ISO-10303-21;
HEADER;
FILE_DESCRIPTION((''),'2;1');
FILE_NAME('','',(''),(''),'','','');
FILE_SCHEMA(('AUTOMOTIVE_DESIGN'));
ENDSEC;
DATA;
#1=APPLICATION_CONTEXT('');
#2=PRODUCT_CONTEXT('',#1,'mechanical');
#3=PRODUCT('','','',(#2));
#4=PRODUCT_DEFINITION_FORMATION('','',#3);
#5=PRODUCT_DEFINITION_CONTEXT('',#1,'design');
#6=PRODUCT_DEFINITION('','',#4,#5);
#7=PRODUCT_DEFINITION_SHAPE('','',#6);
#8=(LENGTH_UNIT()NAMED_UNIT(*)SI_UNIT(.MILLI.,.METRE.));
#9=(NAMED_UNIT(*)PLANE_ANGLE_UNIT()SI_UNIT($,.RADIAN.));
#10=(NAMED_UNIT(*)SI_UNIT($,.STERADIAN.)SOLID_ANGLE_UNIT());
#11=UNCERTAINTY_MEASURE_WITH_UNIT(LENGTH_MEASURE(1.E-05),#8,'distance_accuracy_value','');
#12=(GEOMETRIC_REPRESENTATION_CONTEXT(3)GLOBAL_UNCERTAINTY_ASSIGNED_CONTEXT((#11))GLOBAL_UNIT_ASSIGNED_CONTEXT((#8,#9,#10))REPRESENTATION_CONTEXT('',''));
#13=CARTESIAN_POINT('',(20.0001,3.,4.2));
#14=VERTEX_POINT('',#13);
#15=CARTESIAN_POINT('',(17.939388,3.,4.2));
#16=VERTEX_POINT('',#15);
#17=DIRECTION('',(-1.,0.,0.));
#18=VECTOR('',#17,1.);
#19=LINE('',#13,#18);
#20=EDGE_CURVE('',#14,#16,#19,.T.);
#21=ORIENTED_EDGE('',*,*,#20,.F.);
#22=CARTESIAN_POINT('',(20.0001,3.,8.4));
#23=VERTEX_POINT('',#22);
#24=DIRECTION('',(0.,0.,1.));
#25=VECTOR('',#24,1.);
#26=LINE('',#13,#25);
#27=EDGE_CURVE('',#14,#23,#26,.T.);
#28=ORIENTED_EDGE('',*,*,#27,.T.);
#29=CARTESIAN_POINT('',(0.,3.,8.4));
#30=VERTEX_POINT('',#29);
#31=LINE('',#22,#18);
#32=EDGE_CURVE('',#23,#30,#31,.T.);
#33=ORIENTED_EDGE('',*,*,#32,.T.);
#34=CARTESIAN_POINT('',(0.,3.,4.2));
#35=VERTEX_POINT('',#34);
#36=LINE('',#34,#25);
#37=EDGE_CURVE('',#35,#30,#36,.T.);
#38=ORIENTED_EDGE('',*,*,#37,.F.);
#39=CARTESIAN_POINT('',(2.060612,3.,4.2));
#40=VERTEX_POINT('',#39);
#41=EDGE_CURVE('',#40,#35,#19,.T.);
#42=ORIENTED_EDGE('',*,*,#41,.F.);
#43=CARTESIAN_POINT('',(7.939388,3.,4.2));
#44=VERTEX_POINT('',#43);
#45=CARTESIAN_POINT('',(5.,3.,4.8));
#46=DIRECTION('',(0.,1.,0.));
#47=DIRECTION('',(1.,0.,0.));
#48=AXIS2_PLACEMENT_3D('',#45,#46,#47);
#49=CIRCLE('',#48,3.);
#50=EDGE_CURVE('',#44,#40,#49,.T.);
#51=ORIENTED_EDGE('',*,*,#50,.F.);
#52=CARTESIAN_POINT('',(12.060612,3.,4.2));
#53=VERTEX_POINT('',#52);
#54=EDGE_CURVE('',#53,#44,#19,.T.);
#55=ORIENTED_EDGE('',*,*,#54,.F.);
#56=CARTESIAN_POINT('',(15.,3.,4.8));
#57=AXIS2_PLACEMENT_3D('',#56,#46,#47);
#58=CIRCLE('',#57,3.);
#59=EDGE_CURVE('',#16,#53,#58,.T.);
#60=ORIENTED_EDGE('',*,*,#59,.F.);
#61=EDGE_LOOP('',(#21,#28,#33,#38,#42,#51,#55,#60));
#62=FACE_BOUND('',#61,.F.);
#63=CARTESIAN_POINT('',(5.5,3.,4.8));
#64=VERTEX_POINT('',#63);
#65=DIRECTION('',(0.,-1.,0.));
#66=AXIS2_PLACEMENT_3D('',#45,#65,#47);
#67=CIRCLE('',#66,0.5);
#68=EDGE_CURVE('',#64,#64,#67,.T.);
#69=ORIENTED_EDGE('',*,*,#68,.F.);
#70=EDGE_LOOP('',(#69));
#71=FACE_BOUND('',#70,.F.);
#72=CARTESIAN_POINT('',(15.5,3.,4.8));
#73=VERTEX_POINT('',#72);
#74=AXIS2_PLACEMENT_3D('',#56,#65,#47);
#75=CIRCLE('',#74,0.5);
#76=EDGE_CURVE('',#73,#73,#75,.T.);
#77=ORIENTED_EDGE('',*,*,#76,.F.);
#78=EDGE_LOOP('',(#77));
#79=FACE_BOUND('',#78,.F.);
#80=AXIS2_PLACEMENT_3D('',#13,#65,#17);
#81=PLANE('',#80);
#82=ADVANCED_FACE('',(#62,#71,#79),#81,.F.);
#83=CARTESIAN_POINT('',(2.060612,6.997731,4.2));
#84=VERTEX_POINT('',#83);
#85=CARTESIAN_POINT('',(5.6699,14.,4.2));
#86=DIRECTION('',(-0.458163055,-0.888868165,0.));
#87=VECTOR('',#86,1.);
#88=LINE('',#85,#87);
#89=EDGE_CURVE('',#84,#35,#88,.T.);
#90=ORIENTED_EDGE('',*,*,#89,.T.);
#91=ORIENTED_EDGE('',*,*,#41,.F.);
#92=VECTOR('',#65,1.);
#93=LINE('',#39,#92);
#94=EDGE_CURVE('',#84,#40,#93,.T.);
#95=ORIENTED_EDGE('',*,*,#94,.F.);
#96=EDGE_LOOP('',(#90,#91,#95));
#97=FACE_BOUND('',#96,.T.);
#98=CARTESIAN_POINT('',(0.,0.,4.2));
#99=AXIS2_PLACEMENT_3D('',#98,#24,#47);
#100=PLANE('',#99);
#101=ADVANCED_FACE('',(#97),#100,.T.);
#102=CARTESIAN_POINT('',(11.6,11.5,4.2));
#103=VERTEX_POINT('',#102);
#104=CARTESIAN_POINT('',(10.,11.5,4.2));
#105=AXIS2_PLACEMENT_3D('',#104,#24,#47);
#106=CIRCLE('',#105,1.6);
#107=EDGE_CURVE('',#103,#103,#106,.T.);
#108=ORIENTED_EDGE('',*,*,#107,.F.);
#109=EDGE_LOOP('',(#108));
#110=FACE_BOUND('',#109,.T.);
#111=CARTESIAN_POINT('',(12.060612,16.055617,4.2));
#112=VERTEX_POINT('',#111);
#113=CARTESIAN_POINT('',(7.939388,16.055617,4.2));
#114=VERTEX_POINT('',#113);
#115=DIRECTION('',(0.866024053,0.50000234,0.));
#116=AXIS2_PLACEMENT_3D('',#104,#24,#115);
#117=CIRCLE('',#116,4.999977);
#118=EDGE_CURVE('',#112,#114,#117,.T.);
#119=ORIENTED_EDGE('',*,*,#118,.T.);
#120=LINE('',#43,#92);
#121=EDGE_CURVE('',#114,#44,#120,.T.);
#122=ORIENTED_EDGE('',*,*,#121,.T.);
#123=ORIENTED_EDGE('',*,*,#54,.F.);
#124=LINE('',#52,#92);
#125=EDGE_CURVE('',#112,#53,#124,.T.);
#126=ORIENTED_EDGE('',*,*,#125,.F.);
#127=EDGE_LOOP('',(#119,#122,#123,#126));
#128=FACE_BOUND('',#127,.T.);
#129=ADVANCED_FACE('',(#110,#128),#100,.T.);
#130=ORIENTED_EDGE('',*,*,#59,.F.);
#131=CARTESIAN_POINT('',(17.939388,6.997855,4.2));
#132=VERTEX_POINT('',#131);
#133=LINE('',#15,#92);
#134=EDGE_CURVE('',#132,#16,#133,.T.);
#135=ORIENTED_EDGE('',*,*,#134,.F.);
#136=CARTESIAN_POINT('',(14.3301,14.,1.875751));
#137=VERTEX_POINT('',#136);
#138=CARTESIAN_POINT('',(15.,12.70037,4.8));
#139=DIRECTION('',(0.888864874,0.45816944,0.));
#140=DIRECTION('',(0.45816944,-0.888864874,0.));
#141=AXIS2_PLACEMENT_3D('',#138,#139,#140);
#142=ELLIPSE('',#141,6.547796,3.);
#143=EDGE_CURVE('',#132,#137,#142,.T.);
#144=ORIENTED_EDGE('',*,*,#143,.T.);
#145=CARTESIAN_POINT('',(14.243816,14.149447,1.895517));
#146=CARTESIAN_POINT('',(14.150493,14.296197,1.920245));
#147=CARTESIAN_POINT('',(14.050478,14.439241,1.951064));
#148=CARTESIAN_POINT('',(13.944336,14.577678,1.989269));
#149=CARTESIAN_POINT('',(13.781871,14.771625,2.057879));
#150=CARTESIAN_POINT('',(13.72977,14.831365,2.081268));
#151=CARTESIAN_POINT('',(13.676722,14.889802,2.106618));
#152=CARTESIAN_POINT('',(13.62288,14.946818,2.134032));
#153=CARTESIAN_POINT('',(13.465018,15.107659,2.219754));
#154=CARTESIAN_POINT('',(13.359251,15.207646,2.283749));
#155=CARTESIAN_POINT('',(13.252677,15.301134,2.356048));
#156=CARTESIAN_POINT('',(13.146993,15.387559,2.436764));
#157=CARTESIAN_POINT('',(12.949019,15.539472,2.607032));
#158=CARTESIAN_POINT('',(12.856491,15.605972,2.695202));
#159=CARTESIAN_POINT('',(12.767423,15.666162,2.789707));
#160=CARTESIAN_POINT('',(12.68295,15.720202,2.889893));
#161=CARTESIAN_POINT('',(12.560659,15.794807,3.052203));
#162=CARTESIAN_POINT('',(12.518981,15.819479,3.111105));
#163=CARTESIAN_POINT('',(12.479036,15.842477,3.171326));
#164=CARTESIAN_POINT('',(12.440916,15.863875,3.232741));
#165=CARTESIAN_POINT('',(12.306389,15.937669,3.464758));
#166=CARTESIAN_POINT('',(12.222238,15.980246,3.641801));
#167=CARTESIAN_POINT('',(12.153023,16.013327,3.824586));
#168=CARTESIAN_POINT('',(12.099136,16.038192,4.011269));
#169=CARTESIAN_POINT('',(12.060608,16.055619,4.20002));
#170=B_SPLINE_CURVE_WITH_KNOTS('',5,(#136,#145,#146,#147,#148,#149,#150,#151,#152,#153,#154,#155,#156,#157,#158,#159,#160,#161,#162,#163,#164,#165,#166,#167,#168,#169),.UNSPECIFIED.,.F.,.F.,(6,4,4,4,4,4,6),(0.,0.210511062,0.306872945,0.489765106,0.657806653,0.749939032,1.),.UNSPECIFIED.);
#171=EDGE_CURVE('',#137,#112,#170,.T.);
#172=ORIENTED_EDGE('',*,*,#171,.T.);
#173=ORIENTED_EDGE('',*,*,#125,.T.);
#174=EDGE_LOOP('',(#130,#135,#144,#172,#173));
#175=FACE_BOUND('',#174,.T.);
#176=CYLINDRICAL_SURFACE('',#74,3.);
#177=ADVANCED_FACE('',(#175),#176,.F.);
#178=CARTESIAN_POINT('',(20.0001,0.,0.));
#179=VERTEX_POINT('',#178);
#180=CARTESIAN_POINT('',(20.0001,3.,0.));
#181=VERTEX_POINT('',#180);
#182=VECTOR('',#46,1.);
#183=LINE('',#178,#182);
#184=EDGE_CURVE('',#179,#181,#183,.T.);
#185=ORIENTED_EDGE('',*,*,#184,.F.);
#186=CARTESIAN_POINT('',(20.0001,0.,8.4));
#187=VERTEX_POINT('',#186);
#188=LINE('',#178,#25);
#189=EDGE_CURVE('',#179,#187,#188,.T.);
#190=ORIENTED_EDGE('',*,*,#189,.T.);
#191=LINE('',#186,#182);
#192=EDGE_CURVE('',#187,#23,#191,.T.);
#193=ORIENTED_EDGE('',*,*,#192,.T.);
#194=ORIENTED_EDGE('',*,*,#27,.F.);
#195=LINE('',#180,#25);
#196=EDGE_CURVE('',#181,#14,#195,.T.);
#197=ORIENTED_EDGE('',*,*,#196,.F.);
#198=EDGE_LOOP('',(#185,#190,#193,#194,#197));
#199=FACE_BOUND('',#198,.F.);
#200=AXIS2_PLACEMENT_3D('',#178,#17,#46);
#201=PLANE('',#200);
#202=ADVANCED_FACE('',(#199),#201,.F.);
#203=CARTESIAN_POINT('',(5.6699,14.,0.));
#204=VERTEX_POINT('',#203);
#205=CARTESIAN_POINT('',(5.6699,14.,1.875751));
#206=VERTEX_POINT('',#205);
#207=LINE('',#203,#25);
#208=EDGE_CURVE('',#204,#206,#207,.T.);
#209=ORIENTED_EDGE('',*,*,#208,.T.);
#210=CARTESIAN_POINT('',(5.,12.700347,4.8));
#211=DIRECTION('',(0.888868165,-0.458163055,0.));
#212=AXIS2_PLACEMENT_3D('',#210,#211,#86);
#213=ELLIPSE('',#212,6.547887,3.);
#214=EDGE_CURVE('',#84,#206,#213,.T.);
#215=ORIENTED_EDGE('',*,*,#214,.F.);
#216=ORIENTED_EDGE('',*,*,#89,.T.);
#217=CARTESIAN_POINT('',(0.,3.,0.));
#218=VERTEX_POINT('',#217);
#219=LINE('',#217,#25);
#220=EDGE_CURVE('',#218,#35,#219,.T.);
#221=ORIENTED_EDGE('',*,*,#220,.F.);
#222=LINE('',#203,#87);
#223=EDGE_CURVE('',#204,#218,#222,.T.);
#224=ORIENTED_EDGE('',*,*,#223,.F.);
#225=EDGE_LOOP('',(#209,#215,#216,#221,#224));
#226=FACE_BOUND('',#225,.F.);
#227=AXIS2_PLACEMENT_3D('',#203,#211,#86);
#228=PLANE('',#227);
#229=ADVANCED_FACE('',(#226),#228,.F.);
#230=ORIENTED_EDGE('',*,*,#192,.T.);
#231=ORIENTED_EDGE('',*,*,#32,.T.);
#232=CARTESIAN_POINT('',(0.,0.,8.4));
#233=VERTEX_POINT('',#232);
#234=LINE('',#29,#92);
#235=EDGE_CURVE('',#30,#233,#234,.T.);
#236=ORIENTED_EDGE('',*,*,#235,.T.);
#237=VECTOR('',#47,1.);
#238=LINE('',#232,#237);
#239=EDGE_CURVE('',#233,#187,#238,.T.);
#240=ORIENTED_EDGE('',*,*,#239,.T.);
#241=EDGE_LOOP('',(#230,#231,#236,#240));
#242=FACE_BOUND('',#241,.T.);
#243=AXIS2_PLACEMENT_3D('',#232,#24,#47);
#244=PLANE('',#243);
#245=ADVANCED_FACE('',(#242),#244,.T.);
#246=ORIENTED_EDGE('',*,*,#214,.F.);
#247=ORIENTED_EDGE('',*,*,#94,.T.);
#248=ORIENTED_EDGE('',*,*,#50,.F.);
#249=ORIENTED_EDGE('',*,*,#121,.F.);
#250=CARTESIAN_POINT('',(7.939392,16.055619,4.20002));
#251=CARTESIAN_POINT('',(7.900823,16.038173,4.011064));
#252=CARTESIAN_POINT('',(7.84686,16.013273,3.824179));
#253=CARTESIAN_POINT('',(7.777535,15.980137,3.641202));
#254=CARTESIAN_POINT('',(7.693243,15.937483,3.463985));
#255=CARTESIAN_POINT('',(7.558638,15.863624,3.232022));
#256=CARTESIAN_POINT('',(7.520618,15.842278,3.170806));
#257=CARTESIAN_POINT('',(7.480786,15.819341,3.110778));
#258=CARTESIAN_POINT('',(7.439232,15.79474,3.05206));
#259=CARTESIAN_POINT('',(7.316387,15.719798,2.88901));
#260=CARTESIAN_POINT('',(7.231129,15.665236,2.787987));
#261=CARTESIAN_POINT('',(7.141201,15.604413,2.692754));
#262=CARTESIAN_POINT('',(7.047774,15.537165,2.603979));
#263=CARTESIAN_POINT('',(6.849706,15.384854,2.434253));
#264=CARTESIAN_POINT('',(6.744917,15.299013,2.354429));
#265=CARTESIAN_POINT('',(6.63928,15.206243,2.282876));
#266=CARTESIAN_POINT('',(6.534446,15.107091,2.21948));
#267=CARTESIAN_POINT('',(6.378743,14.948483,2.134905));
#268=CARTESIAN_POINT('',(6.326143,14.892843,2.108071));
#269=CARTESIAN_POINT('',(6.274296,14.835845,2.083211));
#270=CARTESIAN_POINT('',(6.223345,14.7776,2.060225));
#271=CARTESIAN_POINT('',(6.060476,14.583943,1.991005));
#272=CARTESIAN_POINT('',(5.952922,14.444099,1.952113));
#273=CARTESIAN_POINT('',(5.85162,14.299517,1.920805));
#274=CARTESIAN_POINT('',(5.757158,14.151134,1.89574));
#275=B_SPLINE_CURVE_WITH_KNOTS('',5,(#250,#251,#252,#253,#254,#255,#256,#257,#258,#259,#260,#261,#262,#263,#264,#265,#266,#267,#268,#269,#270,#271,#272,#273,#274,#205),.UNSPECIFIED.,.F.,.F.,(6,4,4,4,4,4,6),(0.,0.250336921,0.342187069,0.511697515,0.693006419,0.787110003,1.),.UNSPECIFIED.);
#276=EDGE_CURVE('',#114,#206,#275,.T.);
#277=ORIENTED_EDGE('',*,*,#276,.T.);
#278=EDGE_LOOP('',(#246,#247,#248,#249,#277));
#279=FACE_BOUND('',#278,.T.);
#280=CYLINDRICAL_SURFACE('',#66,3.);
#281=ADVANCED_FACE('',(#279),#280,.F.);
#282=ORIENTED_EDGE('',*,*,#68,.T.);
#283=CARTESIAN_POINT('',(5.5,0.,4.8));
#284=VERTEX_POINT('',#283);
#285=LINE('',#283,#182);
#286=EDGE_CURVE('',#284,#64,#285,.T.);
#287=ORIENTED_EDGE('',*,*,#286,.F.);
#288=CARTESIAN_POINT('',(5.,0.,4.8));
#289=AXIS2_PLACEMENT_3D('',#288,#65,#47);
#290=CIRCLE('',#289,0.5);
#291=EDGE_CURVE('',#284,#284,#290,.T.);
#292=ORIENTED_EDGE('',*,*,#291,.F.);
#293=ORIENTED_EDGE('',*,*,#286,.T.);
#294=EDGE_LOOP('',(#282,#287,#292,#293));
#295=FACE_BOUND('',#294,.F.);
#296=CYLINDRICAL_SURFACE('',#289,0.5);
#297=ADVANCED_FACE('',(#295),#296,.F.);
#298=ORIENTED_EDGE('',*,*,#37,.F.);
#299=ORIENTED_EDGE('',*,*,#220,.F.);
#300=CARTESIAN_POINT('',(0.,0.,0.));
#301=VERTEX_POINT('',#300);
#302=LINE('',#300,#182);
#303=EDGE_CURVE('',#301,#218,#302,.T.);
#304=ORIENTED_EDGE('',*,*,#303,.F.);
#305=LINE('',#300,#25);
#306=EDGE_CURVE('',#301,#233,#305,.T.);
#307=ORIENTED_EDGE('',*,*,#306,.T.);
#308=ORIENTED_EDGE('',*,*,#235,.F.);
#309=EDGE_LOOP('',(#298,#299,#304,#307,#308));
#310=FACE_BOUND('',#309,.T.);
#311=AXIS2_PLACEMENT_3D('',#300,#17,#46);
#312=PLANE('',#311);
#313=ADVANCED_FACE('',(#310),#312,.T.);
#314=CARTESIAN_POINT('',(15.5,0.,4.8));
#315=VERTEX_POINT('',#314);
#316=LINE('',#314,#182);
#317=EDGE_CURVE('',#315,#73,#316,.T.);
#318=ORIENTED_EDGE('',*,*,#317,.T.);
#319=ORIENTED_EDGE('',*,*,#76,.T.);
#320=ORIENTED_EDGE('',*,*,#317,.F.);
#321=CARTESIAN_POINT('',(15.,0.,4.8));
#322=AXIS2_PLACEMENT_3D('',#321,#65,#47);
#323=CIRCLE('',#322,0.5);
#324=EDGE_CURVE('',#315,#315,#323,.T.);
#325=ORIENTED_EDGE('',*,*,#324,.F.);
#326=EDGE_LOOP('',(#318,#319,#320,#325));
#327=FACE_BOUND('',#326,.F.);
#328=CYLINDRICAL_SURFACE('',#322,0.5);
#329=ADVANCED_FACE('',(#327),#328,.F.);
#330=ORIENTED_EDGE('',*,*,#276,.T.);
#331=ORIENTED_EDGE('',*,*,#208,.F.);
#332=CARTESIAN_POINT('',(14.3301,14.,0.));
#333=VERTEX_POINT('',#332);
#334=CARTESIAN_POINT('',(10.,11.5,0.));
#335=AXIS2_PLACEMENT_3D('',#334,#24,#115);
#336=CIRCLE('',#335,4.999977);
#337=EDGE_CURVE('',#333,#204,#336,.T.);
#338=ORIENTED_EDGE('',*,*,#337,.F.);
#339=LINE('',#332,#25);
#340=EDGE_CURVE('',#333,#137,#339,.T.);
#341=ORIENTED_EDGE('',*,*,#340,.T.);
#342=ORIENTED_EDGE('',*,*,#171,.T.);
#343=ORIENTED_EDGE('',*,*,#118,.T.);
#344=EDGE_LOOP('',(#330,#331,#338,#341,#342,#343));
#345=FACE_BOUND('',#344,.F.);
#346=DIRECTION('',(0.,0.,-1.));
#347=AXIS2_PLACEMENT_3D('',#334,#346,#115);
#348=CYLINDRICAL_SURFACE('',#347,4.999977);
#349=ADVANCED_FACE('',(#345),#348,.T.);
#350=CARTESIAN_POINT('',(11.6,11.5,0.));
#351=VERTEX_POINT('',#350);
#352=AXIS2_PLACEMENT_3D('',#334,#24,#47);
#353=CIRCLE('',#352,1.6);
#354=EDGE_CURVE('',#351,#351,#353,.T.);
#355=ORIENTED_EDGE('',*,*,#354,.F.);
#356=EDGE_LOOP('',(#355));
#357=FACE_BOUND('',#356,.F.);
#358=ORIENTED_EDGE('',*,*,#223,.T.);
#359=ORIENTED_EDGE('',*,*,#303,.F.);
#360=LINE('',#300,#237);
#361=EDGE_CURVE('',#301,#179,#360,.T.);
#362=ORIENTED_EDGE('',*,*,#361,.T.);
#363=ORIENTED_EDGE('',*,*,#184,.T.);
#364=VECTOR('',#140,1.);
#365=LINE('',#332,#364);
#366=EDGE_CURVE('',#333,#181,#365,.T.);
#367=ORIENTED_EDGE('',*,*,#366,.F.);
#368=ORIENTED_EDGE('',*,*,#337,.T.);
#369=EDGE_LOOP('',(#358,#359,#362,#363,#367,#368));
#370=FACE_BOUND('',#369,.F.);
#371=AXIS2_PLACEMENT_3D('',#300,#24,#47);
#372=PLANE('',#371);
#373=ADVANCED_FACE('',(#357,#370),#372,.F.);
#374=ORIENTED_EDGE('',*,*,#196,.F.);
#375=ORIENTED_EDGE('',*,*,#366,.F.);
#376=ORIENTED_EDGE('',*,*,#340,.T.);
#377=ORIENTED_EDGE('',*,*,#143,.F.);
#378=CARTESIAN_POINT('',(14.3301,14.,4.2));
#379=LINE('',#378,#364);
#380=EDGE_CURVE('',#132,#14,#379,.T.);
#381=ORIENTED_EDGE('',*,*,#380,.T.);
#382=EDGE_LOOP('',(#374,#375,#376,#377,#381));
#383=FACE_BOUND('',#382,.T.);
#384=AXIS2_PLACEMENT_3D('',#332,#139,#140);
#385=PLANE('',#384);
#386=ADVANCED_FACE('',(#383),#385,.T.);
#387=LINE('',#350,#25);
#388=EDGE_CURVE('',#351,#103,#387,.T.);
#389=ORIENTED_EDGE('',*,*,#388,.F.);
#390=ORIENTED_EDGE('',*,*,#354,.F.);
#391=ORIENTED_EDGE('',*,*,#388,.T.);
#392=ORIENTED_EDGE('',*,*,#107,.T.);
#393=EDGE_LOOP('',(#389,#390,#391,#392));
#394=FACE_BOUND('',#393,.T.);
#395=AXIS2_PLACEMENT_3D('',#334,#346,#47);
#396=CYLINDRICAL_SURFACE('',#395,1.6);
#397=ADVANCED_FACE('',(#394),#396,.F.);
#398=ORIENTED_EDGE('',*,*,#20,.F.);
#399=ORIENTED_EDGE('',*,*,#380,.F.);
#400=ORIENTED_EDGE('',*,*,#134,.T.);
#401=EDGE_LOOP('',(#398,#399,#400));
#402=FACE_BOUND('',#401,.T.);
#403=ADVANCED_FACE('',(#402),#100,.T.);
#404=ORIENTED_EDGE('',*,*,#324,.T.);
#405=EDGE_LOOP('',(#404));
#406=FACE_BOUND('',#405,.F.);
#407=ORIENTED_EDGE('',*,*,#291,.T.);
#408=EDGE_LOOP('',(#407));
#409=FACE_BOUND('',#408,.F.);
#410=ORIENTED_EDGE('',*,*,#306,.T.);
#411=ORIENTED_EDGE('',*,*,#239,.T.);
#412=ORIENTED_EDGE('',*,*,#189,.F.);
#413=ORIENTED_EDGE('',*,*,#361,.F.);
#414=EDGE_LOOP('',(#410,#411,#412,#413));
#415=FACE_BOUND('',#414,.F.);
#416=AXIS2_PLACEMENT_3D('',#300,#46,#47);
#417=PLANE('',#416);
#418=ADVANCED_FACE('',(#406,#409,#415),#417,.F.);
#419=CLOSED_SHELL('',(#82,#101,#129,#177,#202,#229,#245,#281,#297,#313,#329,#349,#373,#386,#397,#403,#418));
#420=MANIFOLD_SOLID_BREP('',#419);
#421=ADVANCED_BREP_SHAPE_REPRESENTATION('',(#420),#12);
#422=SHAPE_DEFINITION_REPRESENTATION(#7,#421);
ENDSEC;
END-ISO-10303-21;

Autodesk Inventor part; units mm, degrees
ref_plane "YZ Plane" through (0, 0, 0) normal (1, 0, 0) x (0, 1, 0)
ref_plane "XZ Plane" through (0, 0, 0) normal (0, 1, 0) x (-1, 0, 0)
ref_plane "XY Plane" through (0, 0, 0) normal (0, 0, 1) x (1, 0, 0)
sketch "Sketch1" plane through (0, 0, 0) normal (0, 0, 1) x (1, 0, 0)
  circle A0 centre (10, 11.5) radius 1.6
  line L0 (0, 0) -> (20.0001, 0)
  line L1 (0, 0) -> (0, 3)
  line L2 (20.0001, 0) -> (20.0001, 3)
  line L3 (0, 3) -> (16, 3) construction
  line L4 (20.0001, 3) -> (36.0001, 3) construction
  arc A1 (14.3301, 14) -> (5.6699, 14) centre (10, 11.5) ccw
  line L5 (10, 11.5) -> (5.6699, 14) construction
  line L6 (10, 11.5) -> (14.3301, 14) construction
  line L7 (5.6699, 14) -> (0, 3)
  line L8 (14.3301, 14) -> (20.0001, 3)
  dimension "d17" = 3
  dimension "d18" = 3
  dimension "d19" = 11.5
  dimension "d23" = 90
  dimension "d24" = 90
  dimension "d25" = 10
  dimension "d31" = 5
  dimension "d32" = 120
  dimension "d33" = 14
sketch "Sketch3" plane through (0, 0, 0) normal (0, 0, 1) x (1, 0, 0)
  point P0 (0, 0)
extrude "Extrusion1" add sketch "Sketch1" along normal blind 4.2
sketch "Sketch4" plane through (0, 0, 4.2) normal (0, 0, 1) x (1, 0, 0)
  line L0 (0, 3) -> (0, 0) projected
  line L1 (20.0001, 0) -> (20.0001, 3) projected
  line L2 (0, 0) -> (20.0001, 0)
  line L3 (20.0001, 0) -> (20.0001, 3)
  line L4 (3.884, 22.9404) -> (-0.9789, 3.2417) projected
  line L5 (20.0001, 3) -> (0, 3)
  line L6 (0, 3) -> (0, 0)
extrude "Extrusion2" add sketch "Sketch4" along normal blind 4.2
sketch "Sketch5" plane through (0, 0, 0) normal (0, -1, 0) x (1, 0, 0)
  circle A0 centre (5, 4.8) radius 0.5
  circle A1 centre (15, 4.8) radius 0.5
  line L0 (0, 0) -> (20.0001, 0) projected
  dimension "d13" = 1
  dimension "d14" = 1
  dimension "d38" = 4.8
  dimension "d39" = 4.8
extrude "Extrusion3" cut sketch "Sketch5" against normal blind 5.5
sketch "Sketch6" plane through (0, 3, 8.4) normal (0, 1, 0) x (1, 0, 0)
  circle A0 centre (5, 3.6) radius 0.5 projected
  circle A1 centre (5, 3.6) radius 3
  circle A2 centre (15, 3.6) radius 0.5 projected
  circle A3 centre (15, 3.6) radius 3
  line L0 (0, 8.4) -> (20.0001, 8.4) projected
  dimension "d34" = 6
  dimension "d35" = 6
  dimension "d40" = 4.8
  dimension "d41" = 4.8
extrude "Extrusion4" cut sketch "Sketch6" along normal up to next
properties part number "lower_deck_shaft_mount"
